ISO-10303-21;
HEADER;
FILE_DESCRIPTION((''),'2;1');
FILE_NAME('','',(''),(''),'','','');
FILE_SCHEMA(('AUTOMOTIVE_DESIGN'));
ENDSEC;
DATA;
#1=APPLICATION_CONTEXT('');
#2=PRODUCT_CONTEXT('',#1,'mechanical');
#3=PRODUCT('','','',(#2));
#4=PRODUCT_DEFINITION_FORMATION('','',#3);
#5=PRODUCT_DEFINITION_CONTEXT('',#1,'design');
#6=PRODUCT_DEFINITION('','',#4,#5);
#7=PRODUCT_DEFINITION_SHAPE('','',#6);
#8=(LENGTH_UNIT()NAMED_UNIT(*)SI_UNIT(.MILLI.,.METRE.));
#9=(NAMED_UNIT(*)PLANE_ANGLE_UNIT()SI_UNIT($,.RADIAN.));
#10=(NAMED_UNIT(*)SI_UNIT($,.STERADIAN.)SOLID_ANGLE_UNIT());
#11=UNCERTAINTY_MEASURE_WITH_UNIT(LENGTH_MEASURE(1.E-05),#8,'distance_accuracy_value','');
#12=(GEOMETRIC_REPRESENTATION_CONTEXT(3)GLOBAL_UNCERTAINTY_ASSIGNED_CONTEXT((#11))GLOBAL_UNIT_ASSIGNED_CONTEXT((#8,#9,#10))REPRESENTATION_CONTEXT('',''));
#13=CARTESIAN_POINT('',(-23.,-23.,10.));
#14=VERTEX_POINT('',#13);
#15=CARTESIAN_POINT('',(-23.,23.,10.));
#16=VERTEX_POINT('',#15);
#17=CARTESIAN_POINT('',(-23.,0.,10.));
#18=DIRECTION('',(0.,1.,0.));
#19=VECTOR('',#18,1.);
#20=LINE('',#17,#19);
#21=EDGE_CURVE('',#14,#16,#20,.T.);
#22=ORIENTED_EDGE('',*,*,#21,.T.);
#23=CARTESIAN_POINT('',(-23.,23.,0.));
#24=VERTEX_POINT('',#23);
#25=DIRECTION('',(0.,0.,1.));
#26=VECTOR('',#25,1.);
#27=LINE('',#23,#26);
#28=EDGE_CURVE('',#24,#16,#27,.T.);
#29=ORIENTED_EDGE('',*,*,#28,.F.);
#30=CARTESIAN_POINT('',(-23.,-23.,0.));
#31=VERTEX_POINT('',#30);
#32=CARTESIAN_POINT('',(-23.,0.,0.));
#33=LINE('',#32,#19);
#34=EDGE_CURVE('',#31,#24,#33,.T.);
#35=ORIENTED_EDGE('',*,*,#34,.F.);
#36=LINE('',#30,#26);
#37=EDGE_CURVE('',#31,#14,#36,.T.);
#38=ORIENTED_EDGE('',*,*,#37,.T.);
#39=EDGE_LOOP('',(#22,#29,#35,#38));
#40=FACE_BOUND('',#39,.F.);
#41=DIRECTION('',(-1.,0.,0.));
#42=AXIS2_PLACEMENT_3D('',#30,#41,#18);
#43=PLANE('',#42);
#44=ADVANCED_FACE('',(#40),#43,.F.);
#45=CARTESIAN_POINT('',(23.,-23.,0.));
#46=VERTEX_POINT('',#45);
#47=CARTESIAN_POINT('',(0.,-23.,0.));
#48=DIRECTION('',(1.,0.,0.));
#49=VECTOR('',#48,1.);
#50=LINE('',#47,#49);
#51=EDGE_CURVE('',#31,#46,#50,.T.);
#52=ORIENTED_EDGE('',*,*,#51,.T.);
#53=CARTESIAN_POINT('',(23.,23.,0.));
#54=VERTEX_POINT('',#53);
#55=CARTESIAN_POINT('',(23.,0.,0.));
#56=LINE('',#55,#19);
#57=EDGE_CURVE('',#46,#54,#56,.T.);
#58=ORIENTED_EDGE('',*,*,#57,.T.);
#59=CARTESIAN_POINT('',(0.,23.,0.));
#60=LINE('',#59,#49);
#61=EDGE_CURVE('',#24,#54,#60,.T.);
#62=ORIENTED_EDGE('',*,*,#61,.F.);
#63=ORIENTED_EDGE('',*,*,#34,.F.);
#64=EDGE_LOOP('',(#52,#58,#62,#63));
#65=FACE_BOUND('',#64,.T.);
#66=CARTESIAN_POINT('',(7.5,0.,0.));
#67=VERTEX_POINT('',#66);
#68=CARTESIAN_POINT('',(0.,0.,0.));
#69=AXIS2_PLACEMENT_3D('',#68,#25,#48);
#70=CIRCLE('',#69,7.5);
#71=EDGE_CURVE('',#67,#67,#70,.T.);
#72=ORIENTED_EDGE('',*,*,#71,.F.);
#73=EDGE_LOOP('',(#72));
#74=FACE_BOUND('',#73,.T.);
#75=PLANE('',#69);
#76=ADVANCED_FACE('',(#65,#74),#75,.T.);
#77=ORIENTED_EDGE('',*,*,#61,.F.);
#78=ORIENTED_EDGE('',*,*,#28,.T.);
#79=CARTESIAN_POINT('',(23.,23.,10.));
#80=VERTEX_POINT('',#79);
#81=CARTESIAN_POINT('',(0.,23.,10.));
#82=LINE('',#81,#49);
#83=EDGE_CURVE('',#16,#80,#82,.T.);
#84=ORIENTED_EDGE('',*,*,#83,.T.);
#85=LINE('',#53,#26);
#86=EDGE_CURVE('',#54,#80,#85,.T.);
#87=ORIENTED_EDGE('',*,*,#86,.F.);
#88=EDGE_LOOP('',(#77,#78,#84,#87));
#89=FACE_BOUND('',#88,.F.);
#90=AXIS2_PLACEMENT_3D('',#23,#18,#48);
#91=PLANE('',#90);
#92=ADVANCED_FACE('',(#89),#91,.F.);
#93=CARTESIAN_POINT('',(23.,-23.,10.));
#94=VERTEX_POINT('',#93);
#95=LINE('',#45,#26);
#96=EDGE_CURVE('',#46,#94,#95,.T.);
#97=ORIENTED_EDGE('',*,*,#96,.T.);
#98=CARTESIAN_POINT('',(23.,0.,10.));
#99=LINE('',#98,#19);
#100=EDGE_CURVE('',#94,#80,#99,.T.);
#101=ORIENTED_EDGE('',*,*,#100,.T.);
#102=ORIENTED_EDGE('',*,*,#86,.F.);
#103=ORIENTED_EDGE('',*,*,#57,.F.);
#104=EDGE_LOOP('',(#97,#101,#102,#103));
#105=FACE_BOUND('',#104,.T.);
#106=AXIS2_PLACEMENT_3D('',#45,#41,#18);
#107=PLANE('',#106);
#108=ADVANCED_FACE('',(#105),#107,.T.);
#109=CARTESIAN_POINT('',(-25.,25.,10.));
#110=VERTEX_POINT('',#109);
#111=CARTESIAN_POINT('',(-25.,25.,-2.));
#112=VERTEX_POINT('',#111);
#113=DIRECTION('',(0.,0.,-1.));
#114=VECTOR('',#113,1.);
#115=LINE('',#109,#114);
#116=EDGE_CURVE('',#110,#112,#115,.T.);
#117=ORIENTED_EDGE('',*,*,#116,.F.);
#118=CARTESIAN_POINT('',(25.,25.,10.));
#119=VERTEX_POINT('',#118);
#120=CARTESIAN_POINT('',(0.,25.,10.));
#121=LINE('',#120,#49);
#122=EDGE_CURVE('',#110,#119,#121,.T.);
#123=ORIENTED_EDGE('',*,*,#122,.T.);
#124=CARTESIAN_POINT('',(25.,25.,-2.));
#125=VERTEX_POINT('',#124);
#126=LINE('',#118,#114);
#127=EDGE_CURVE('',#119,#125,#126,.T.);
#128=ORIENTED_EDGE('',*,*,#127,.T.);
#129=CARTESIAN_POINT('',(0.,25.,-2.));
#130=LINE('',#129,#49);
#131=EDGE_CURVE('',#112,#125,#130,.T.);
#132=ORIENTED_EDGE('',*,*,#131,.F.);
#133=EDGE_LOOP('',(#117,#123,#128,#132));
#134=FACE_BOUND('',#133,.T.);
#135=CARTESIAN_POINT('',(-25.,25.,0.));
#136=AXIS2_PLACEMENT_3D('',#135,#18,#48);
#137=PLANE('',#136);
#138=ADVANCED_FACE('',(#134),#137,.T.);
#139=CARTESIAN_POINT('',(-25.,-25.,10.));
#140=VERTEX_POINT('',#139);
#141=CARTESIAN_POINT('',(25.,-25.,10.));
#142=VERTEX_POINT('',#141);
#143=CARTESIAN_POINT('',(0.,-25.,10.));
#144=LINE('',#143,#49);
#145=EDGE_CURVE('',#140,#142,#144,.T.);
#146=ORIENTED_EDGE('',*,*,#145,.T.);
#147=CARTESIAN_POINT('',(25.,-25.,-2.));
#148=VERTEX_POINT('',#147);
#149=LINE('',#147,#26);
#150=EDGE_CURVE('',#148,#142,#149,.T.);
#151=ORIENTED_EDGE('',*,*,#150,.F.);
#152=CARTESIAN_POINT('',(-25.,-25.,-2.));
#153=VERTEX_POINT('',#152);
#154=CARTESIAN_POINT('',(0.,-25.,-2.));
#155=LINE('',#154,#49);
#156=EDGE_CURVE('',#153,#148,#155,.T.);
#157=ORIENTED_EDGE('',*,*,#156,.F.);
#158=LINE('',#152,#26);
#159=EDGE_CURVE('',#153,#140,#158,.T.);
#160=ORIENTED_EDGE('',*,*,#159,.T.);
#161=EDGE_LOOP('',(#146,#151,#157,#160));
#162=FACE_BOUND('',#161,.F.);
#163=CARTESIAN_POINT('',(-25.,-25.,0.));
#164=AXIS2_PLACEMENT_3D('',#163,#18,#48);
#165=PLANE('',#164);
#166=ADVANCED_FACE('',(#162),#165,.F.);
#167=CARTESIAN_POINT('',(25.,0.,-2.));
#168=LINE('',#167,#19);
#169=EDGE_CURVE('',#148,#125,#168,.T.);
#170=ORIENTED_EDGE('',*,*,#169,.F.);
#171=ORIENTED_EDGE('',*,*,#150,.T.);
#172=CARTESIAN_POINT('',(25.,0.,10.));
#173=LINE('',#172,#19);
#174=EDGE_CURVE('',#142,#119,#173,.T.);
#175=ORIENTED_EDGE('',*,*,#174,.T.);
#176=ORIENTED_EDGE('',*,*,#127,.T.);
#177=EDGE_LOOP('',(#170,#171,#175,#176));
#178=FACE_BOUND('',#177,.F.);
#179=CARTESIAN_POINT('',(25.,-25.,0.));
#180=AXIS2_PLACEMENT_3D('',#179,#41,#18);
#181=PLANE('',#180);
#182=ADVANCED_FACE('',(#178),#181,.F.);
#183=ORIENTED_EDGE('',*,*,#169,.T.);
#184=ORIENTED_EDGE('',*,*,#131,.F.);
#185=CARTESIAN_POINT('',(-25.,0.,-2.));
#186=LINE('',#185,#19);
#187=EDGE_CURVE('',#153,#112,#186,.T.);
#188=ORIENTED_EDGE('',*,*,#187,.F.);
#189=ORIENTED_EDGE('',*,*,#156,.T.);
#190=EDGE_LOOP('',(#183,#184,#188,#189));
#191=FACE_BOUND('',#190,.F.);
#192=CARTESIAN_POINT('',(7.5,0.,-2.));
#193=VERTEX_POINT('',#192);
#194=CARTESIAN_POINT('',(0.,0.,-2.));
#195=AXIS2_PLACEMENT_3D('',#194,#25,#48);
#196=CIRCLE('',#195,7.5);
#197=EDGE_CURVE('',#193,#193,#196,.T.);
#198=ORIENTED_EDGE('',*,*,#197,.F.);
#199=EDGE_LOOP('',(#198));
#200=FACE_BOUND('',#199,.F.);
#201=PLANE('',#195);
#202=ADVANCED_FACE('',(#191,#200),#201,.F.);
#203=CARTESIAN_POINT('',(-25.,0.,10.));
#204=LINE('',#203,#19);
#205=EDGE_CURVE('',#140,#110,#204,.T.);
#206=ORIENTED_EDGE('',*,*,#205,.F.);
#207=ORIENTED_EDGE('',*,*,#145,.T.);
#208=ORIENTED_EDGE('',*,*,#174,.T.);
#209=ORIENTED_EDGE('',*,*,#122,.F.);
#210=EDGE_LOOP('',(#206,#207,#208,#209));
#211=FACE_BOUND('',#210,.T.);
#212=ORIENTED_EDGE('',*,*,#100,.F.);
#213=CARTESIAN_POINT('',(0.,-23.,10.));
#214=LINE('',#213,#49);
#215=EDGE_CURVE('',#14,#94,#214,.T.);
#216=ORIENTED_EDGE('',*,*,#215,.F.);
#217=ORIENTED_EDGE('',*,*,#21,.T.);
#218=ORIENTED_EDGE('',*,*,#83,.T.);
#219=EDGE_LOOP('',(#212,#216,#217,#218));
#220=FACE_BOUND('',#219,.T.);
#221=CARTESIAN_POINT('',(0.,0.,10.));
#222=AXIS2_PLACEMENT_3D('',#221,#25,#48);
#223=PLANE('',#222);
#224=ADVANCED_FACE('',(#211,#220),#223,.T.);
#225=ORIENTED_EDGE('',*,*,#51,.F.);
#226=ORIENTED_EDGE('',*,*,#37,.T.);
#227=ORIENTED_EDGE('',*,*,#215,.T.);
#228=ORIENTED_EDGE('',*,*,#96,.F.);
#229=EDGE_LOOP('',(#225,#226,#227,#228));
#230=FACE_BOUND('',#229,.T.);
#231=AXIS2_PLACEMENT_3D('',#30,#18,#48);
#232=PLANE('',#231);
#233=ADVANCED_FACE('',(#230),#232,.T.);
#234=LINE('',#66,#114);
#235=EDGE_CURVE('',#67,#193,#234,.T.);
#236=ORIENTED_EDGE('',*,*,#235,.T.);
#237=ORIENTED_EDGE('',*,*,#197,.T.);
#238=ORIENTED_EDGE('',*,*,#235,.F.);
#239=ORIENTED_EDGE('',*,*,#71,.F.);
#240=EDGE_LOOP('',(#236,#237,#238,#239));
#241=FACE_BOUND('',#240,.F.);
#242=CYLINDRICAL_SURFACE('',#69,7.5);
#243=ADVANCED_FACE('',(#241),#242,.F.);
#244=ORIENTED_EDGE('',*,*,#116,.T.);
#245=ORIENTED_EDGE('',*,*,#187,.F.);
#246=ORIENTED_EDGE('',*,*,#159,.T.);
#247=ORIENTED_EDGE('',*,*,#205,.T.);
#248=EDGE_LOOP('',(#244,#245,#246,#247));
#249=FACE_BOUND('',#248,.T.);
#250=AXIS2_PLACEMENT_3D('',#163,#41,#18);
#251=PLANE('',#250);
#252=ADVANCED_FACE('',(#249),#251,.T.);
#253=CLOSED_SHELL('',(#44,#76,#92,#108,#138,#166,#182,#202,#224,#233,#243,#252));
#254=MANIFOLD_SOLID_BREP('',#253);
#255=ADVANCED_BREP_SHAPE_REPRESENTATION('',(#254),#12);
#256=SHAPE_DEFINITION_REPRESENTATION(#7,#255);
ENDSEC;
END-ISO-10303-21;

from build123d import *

# Parameters (mm, degrees)
F0_W     = 50
F0_H     = 50
F0_R     = 7.5
F2_DEPTH = 2
F1_W     = 50
F1_H     = 50
F1_W_2   = 46
F1_H_2   = 46
F3_DEPTH = 10


with BuildPart() as f2:
    # F0 (on Top) → F2 (new body)
    with BuildSketch(Plane.XY):
        Rectangle(F0_W, F0_H)
        Circle(F0_R, mode=Mode.SUBTRACT)
    extrude(amount=-F2_DEPTH)

    # F1 (on face) → F3 (join)
    with BuildSketch(Plane.XY):
        Rectangle(F1_W, F1_H)
        Rectangle(F1_W_2, F1_H_2, mode=Mode.SUBTRACT)
    extrude(amount=F3_DEPTH)


solid = f2.part
